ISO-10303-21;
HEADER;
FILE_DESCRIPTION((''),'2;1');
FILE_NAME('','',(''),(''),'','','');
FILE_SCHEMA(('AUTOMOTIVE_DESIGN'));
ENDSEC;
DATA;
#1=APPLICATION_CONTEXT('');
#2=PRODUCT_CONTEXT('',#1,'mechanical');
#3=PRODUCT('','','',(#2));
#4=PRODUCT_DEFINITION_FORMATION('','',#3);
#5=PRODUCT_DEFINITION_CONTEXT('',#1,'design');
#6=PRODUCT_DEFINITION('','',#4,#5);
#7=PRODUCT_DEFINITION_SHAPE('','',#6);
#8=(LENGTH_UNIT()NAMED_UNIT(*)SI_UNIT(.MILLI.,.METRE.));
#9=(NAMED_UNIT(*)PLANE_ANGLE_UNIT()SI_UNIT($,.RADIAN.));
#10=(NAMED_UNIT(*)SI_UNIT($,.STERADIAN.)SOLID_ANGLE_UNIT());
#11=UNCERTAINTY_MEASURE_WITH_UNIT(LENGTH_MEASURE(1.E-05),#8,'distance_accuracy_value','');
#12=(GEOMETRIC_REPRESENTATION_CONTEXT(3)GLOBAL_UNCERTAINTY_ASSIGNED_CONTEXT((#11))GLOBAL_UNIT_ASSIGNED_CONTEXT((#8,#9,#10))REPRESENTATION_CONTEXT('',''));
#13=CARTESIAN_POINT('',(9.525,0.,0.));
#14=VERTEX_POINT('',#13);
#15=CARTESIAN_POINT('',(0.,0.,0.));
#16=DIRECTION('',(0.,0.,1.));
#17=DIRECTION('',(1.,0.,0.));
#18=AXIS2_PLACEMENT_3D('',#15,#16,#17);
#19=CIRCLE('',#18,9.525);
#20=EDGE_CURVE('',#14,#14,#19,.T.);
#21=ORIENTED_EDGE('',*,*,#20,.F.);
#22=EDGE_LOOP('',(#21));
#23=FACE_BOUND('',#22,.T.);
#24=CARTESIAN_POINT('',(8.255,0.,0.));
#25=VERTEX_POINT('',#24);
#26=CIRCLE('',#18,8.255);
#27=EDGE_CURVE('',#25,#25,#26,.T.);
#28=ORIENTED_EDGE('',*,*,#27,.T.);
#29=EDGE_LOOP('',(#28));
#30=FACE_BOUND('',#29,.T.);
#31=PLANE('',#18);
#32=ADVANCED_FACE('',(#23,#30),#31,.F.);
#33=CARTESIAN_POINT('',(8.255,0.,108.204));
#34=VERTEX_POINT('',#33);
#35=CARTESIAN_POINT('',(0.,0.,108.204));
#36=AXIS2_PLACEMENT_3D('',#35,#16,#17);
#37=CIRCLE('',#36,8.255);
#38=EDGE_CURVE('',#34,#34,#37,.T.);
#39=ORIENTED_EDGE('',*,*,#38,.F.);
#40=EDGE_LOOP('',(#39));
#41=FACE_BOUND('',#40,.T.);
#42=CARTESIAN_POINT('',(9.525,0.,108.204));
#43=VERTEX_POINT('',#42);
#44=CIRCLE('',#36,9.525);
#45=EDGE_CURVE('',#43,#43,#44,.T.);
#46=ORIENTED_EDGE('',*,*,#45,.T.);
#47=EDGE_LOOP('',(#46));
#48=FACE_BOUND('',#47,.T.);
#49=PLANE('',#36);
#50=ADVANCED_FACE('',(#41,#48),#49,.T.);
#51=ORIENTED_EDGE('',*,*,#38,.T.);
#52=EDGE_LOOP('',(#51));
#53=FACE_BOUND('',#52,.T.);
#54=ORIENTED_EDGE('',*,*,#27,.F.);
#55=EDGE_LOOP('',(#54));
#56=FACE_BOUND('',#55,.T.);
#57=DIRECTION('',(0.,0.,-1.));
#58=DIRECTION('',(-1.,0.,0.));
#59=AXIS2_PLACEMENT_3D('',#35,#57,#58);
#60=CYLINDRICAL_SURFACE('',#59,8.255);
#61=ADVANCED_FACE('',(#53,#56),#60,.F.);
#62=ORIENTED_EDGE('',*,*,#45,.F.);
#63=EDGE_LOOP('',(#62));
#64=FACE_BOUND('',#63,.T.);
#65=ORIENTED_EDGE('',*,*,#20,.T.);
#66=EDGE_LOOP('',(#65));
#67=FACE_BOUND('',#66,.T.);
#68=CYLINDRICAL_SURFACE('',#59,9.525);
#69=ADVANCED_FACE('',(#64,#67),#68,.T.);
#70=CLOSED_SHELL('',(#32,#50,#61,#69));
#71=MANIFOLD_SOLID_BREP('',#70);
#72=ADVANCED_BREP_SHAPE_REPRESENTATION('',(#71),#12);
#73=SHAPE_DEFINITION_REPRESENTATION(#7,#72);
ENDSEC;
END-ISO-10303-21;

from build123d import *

# Parameters (mm, degrees)
SKETCH1_R           = 9.525
SKETCH1_R_2         = 8.255
BOSS_EXTRUDE1_DEPTH = 108.204


with BuildPart() as part:
    # Sketch1 → Boss-Extrude1 (new body)
    with BuildSketch(Plane.XY):
        Circle(SKETCH1_R)
        Circle(SKETCH1_R_2, mode=Mode.SUBTRACT)
    extrude(amount=BOSS_EXTRUDE1_DEPTH)


solid = part.part
